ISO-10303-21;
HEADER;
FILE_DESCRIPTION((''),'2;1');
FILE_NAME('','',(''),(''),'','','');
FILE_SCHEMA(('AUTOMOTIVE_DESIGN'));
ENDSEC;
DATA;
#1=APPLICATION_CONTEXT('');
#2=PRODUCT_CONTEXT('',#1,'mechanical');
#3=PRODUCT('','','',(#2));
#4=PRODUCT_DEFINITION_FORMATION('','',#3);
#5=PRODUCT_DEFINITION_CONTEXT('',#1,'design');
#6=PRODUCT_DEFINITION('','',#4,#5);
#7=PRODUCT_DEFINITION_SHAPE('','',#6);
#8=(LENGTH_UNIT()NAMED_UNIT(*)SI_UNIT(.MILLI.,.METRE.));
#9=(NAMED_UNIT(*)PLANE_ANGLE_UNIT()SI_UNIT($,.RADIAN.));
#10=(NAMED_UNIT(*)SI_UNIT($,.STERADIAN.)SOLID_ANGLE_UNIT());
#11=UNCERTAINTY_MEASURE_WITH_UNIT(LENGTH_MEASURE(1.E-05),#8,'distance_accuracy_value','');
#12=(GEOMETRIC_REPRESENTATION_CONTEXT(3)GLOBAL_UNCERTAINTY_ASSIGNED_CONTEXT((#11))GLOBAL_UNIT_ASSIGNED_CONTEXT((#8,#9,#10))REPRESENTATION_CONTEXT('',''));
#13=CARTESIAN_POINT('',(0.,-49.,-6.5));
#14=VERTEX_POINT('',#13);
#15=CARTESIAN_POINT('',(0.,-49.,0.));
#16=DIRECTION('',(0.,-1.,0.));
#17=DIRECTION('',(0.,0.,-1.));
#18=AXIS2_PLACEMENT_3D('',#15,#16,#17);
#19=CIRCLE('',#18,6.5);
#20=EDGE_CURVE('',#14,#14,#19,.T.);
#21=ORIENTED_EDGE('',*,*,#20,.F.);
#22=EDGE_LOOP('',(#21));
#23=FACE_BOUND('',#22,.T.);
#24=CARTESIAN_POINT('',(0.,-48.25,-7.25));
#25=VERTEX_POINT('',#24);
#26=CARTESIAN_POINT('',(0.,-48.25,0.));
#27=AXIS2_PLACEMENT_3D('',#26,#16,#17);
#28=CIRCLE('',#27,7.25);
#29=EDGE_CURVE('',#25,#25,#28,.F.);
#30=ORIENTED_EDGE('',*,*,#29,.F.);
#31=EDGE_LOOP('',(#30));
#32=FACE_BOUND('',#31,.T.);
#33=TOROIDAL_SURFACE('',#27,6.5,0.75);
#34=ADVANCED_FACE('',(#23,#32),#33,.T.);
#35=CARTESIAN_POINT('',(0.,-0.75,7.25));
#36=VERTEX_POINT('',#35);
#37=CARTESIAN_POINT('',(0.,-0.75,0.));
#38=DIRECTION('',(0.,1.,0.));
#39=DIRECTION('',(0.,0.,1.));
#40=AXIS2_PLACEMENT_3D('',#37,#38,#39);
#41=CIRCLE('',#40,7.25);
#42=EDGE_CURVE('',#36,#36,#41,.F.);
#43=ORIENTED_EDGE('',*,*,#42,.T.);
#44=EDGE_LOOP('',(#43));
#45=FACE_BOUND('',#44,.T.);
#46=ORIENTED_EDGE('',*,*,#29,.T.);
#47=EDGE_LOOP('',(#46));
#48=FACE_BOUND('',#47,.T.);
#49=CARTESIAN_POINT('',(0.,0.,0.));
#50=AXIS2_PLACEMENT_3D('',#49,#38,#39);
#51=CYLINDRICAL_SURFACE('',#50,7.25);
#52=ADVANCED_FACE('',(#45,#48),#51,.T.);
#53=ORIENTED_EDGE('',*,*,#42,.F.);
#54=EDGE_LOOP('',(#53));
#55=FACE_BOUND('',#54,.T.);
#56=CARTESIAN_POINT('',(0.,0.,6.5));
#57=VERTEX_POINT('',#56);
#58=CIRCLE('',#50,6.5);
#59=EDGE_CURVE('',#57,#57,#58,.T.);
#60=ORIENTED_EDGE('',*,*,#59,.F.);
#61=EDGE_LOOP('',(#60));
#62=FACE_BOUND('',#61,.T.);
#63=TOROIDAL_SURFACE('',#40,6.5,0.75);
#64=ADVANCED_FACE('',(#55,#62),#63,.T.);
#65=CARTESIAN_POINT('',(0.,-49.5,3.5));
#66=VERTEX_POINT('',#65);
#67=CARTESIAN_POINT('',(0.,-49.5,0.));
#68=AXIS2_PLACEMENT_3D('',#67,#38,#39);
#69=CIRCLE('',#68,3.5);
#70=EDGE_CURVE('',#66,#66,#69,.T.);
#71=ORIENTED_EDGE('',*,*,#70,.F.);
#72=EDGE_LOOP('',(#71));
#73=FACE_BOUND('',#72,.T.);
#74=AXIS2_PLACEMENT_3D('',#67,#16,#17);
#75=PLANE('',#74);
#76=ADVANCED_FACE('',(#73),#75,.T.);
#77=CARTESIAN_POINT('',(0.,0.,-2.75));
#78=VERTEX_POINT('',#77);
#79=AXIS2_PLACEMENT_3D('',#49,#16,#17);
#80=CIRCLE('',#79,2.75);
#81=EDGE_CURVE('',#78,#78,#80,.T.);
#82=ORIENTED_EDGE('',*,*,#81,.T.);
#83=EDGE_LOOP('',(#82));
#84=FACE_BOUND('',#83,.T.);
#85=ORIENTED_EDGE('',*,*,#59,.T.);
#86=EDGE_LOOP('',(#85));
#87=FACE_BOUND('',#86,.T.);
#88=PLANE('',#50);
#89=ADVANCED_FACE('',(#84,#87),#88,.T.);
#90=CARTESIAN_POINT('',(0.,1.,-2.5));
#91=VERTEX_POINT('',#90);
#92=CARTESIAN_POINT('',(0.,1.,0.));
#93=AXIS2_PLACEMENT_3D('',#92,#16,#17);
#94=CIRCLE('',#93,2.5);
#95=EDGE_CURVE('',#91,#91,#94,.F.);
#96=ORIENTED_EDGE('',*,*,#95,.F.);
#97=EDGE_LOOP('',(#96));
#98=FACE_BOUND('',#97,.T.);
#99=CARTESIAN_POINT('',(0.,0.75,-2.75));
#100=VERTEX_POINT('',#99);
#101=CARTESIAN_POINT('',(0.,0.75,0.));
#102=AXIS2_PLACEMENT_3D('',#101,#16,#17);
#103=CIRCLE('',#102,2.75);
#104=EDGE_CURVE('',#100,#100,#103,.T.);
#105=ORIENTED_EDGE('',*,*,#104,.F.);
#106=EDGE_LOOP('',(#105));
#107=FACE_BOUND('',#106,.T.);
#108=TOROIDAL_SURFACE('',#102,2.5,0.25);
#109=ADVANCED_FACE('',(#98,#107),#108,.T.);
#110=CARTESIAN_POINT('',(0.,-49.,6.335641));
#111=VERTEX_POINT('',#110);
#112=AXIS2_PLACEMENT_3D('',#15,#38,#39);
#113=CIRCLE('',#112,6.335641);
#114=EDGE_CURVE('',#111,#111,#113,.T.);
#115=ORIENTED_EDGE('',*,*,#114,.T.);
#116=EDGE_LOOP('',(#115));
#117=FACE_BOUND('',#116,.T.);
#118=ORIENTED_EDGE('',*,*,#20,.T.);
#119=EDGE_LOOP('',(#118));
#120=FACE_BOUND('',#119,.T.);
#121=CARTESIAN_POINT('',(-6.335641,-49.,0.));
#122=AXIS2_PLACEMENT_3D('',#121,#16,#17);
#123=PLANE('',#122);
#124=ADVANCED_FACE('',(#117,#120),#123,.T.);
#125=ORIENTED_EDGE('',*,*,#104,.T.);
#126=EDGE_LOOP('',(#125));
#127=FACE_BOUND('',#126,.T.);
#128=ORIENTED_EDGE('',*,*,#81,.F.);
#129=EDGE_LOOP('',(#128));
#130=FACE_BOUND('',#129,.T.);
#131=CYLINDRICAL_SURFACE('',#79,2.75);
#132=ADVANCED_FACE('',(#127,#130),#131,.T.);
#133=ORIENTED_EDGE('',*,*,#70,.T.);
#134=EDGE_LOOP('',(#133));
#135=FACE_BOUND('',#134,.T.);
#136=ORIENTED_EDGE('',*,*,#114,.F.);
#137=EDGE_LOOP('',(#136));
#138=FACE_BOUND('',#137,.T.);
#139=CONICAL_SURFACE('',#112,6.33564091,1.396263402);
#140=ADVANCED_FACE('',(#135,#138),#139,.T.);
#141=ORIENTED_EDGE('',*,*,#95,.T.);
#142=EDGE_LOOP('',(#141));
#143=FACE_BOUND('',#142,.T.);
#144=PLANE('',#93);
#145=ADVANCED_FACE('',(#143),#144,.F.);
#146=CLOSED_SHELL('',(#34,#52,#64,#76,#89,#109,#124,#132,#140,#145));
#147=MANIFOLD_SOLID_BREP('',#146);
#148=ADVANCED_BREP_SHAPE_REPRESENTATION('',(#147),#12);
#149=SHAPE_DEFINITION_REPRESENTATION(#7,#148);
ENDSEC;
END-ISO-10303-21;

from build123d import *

# Parameters (mm, degrees)
SKETCH2_W = 2.75
SKETCH2_H = 1
FILLET1_R = 0.75
FILLET2_R = 0.25


with BuildPart() as part:
    # Sketch1 → Revolve1 (revolve)
    with BuildSketch(Plane.XY, mode=Mode.PRIVATE) as revolve1_sk:
        Polygon((0, 0), (-7.25, 0), (-7.25, -49), (-6.33564091, -49), (-3.5, -49.5), (0, -49.5), align=None)
    revolve(revolve1_sk.sketch.rotate(Axis((0, 0, 0), (0, -1, 0)), 270), axis=Axis((0, 0, 0), (0, -1, 0)))

    # Sketch2 → Revolve2 (revolve)
    with BuildSketch(Plane.XY, mode=Mode.PRIVATE) as revolve2_sk:
        with Locations((-1.375, 0.5)):
            Rectangle(SKETCH2_W, SKETCH2_H)
    revolve(revolve2_sk.sketch.rotate(Axis((0, 0, 0), (0, 1, 0)), 270), axis=Axis((0, 0, 0), (0, 1, 0)))

    # Fillet1
    fillet1_edges = [part.edges().sort_by_distance(p)[0] for p in [
        (0, -49, -7.25),
        (0, 0, -7.25),
    ]]
    fillet(fillet1_edges, radius=FILLET1_R)

    # Fillet2
    fillet2_edges = [part.edges().sort_by_distance(p)[0] for p in [
        (0, 1, 2.75),
    ]]
    fillet(fillet2_edges, radius=FILLET2_R)


solid = part.part
